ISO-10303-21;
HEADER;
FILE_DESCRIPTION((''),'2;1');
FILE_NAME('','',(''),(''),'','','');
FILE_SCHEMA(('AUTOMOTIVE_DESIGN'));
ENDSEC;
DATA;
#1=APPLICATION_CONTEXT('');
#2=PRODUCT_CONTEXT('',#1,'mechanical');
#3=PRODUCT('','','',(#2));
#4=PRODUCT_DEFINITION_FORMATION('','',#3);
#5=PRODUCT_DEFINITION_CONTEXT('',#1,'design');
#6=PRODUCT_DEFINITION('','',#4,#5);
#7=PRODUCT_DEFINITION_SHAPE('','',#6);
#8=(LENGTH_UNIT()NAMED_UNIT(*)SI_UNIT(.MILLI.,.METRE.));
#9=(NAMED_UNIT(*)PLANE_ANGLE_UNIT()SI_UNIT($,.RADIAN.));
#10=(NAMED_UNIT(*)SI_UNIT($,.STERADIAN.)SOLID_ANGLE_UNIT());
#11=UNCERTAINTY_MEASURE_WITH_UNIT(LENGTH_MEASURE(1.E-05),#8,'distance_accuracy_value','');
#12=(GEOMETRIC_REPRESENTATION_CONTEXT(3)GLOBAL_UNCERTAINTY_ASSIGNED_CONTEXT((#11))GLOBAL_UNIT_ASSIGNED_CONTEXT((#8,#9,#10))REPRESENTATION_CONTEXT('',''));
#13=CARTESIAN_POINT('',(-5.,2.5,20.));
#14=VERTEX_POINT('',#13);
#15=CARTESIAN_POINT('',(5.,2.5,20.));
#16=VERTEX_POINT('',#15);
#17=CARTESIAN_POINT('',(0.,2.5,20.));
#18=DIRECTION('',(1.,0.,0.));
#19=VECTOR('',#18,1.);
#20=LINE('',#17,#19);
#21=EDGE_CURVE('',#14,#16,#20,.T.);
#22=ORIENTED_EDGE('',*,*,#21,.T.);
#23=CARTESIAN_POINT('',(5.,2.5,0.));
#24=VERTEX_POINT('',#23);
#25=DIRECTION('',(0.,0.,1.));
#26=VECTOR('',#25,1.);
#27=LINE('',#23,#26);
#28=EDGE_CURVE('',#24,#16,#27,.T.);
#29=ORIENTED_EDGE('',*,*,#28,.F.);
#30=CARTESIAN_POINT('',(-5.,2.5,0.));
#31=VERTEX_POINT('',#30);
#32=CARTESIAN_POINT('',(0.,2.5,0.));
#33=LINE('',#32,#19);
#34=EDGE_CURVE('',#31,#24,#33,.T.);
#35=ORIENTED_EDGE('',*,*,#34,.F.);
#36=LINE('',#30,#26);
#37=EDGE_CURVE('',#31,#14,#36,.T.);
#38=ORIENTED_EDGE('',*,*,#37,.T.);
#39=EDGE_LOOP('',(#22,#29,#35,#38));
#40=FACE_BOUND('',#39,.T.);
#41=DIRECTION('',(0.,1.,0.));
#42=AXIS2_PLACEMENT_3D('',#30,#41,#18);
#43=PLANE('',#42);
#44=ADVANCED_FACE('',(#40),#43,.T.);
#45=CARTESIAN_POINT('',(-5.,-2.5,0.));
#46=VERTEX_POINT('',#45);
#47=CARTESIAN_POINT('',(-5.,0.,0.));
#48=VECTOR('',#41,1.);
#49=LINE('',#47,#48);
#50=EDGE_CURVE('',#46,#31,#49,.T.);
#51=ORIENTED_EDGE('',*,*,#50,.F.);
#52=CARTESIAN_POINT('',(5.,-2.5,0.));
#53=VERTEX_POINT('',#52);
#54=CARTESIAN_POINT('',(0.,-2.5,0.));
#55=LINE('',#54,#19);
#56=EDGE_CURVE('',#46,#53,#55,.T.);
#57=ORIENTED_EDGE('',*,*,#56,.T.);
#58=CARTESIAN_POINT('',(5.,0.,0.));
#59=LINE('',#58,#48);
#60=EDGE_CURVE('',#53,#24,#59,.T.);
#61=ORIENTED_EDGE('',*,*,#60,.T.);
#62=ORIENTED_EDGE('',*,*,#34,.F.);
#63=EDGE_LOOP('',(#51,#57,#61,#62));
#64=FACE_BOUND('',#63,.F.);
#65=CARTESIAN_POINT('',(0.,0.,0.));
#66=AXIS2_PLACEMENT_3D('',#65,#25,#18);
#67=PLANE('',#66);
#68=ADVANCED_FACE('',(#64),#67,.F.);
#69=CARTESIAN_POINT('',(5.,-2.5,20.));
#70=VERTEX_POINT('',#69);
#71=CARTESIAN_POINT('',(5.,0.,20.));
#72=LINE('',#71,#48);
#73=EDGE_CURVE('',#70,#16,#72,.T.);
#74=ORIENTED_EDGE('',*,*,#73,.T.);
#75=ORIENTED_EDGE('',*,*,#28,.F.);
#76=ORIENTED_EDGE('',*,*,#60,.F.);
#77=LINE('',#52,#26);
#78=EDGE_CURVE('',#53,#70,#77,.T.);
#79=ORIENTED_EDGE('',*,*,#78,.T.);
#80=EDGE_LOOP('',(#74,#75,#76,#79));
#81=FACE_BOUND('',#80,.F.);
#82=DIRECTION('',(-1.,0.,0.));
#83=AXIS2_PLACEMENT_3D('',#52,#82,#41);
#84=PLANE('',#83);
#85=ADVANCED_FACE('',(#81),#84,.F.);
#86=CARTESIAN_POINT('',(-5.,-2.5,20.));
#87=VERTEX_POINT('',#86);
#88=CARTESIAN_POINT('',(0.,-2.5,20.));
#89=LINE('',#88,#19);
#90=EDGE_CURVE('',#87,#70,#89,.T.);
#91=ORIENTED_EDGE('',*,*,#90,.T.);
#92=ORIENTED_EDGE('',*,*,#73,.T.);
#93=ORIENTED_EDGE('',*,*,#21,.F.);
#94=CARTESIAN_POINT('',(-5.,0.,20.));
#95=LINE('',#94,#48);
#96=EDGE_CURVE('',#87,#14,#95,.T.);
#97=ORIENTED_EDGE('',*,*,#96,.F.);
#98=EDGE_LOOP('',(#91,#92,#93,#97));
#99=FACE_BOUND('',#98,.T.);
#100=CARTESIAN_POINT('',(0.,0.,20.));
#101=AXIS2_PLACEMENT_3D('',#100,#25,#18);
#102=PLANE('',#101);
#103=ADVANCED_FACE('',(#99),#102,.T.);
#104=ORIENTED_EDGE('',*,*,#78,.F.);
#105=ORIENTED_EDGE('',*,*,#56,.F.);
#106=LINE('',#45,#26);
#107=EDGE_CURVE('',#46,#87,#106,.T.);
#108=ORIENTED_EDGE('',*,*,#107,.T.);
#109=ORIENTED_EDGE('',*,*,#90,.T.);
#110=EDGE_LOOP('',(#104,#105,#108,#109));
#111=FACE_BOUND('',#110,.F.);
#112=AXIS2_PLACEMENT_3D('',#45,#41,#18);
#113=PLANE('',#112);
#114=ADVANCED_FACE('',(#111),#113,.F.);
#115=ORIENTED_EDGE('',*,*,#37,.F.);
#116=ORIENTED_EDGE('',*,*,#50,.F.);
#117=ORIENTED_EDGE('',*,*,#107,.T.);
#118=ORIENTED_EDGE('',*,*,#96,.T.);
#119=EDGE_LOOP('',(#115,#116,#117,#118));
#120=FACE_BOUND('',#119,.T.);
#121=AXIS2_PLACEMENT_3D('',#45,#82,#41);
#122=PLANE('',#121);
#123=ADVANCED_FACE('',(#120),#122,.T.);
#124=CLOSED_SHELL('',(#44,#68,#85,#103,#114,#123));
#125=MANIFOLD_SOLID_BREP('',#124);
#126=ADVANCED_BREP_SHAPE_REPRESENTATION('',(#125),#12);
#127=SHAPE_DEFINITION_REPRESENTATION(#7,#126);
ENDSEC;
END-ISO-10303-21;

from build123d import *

# Parameters (mm, degrees)
SKETCH1_W           = 10
SKETCH1_H           = 5
BOSS_EXTRUDE1_DEPTH = 20


with BuildPart() as part:
    # Sketch1 → Boss-Extrude1 (new body)
    with BuildSketch(Plane.XY):
        Rectangle(SKETCH1_W, SKETCH1_H)
    extrude(amount=BOSS_EXTRUDE1_DEPTH)


solid = part.part
